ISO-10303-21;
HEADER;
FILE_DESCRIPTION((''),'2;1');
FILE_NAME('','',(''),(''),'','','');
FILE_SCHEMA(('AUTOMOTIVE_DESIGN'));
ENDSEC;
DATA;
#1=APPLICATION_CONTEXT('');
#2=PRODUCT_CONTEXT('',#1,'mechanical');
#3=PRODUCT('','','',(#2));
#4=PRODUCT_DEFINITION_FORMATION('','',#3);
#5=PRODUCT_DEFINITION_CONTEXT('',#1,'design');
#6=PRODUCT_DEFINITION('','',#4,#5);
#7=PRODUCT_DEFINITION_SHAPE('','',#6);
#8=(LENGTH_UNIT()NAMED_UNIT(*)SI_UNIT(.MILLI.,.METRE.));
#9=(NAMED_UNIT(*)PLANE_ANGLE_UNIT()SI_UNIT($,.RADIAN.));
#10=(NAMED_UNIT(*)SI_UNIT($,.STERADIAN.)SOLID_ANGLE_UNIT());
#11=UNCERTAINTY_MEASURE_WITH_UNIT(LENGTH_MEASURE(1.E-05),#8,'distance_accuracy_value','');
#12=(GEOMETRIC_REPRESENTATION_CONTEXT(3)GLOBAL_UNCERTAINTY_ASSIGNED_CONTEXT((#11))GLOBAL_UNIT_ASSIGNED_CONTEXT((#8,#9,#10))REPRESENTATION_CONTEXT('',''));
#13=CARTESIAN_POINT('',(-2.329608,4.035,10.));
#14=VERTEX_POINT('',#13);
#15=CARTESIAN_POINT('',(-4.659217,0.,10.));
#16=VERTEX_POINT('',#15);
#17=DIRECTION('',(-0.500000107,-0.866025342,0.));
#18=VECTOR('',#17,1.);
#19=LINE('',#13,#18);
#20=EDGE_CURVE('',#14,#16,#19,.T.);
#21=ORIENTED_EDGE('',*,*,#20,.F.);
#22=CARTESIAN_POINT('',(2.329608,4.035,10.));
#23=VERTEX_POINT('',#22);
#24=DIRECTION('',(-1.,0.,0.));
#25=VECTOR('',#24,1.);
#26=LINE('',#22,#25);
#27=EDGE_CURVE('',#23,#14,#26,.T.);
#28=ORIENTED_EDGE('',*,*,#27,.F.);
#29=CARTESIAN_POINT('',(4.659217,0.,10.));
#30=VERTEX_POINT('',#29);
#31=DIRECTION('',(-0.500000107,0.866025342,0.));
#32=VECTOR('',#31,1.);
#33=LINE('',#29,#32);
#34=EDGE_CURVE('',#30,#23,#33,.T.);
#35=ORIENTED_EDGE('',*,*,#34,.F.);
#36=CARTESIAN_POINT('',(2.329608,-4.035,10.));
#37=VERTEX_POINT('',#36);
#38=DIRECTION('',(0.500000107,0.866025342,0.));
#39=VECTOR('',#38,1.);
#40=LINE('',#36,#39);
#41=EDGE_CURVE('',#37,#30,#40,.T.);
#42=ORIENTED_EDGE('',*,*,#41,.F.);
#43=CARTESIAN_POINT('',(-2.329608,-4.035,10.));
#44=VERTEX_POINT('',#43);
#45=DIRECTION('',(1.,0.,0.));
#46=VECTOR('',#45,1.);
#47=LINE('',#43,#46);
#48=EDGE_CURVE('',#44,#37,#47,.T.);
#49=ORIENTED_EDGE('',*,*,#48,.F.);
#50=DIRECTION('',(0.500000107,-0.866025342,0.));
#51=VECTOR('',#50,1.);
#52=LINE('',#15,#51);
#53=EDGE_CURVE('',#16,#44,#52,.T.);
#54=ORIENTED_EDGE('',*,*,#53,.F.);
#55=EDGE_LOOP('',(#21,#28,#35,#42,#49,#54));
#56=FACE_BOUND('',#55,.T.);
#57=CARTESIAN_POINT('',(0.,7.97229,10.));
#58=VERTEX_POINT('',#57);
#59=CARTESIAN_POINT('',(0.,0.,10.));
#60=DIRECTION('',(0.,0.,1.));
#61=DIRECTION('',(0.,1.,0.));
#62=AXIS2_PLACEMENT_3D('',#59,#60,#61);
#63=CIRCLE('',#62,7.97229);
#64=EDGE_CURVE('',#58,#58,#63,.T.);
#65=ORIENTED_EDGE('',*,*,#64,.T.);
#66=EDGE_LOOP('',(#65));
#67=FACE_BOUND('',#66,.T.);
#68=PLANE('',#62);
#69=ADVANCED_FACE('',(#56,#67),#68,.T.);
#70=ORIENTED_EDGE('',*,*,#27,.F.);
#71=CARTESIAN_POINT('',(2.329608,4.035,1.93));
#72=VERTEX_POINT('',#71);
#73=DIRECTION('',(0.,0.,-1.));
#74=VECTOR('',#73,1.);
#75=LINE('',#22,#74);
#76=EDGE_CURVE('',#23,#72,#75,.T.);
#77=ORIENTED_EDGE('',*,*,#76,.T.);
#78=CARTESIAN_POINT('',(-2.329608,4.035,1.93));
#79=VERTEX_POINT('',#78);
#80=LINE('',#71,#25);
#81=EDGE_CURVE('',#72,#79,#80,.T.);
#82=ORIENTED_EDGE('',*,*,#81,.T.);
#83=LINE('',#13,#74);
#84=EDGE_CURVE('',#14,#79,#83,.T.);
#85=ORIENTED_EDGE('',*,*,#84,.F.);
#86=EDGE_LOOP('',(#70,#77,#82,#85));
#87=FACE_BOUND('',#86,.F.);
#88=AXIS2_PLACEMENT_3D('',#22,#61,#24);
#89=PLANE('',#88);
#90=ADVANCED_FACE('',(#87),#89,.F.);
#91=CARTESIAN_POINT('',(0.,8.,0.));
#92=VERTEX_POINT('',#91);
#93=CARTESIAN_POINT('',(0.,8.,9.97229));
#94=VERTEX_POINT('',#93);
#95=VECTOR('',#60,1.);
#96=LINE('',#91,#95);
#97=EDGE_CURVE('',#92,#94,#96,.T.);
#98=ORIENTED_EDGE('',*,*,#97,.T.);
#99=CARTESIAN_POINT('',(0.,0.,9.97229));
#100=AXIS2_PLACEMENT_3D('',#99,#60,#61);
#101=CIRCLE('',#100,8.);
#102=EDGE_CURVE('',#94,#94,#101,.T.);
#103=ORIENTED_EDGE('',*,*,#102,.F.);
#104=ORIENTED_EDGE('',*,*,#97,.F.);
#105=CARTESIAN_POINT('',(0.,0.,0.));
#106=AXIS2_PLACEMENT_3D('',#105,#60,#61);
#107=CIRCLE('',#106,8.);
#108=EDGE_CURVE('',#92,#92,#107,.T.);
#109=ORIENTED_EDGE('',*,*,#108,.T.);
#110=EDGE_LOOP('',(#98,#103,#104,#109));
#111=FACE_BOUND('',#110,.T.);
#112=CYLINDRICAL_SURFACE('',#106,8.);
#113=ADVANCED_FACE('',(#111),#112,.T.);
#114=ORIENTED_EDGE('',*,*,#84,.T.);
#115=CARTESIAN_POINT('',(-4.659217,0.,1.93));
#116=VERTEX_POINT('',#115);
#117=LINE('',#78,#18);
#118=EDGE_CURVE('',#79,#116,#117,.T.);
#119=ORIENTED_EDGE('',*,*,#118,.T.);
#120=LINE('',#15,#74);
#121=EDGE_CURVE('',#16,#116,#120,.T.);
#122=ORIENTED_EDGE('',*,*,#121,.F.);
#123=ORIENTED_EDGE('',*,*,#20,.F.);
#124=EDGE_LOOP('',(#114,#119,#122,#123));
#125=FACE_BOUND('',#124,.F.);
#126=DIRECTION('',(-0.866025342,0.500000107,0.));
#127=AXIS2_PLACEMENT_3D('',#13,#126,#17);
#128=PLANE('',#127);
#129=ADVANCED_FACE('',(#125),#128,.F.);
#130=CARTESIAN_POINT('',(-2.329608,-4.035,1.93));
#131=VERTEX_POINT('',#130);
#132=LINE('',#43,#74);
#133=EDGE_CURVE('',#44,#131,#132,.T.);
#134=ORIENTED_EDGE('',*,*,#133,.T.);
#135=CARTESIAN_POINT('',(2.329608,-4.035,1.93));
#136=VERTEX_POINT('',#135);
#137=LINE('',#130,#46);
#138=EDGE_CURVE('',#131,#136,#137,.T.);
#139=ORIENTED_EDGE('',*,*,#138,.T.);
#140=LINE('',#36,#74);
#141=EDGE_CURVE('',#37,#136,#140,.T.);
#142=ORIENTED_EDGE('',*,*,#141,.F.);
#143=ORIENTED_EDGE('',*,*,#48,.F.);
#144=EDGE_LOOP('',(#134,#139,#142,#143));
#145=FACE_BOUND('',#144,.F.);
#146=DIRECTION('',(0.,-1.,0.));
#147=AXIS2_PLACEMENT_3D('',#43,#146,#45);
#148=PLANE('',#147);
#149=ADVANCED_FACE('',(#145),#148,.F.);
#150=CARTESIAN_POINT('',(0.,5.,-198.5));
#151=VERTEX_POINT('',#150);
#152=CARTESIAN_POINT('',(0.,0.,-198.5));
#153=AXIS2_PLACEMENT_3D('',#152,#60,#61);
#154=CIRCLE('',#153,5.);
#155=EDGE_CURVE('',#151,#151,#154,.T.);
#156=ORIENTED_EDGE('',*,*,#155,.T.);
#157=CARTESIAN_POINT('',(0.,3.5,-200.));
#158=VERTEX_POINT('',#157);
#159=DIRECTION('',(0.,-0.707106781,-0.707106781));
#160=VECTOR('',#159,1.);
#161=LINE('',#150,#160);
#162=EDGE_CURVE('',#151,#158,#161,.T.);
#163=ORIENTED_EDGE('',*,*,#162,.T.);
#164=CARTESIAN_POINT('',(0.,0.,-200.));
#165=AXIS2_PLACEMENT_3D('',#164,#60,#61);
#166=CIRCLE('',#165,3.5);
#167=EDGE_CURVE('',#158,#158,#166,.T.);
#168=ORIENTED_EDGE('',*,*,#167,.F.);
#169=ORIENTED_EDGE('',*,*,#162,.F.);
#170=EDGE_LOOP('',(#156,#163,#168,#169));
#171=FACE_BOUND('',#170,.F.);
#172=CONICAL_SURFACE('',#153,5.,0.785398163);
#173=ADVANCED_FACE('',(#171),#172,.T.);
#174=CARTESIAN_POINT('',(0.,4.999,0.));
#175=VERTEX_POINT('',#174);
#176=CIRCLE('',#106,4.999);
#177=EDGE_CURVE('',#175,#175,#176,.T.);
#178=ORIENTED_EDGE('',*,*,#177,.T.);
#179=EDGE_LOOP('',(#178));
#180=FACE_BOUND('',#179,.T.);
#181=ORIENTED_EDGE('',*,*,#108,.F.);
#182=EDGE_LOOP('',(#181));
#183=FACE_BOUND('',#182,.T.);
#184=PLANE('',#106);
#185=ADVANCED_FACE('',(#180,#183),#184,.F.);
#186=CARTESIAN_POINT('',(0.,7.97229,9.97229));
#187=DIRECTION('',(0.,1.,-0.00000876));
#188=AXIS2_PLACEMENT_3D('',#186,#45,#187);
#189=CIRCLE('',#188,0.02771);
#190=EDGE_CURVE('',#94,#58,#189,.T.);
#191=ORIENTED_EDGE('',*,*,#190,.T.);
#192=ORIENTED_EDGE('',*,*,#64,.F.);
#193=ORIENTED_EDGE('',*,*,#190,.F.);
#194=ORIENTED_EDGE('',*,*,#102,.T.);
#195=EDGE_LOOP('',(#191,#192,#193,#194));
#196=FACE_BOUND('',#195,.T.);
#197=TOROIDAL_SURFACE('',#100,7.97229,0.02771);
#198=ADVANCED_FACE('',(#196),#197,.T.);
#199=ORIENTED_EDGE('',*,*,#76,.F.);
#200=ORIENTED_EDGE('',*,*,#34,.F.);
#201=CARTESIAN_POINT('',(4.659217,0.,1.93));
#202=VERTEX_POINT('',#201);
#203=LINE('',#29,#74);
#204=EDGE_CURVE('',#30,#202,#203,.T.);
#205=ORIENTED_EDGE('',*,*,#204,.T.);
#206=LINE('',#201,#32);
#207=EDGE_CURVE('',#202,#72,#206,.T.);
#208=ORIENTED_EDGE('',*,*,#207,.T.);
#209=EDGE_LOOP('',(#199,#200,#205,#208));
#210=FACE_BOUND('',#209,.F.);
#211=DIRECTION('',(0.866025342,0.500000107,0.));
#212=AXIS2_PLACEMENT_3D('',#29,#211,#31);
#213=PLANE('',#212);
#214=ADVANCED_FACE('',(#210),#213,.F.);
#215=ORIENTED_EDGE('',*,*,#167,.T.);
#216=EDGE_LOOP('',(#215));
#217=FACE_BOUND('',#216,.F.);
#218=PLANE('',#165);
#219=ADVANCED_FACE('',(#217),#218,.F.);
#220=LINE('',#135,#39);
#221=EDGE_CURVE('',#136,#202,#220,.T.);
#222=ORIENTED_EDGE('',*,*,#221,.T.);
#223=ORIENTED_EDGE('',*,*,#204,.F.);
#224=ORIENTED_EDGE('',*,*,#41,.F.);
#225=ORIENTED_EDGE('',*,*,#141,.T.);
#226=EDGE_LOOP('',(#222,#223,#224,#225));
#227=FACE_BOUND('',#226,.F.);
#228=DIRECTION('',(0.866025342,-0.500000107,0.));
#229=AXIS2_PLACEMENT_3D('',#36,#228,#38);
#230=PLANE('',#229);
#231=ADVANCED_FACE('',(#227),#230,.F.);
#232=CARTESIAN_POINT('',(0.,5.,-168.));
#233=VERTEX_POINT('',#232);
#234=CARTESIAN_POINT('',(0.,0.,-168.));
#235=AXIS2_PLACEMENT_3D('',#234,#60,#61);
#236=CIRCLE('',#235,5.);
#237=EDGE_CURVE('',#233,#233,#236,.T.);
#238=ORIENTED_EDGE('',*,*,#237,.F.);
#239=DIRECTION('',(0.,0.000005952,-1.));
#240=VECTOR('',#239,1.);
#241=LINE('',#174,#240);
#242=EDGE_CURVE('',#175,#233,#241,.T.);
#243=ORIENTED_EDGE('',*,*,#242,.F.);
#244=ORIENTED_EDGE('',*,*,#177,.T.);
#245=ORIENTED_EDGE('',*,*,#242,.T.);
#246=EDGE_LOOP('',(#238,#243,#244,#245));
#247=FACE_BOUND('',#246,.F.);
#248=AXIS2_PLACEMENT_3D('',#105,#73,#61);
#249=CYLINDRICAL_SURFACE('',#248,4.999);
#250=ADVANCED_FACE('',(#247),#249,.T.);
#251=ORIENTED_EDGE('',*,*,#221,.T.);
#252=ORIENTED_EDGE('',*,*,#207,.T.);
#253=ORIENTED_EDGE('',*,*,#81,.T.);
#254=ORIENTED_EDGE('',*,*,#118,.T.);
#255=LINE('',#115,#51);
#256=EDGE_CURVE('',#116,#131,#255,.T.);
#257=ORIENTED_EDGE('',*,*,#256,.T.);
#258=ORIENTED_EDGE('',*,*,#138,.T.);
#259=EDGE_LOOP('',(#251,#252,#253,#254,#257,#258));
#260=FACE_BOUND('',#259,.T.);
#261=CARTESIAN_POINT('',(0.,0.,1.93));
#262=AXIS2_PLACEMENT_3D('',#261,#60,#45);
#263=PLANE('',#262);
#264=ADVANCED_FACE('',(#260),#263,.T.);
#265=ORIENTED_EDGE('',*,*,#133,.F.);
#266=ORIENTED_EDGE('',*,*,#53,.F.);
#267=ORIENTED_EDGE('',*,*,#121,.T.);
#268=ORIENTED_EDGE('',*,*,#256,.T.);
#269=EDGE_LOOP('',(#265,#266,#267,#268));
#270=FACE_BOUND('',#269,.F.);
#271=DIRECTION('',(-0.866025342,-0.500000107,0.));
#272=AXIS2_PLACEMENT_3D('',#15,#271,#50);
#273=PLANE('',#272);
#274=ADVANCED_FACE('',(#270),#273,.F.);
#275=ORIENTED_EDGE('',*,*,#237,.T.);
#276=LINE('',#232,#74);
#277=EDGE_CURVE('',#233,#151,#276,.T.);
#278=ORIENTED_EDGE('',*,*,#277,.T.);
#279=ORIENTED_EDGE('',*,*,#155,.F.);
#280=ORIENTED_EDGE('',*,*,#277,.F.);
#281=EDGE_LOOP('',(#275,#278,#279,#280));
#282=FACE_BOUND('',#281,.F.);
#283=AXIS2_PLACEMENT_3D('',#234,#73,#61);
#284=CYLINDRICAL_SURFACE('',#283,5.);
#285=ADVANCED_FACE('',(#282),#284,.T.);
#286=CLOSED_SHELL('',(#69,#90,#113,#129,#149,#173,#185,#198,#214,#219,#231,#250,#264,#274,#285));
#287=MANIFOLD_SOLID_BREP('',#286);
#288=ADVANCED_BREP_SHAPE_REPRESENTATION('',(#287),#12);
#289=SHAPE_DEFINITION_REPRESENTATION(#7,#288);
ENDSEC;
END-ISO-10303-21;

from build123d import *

# Parameters (mm, degrees)
POCKET_DEPTH = 8.07


with BuildPart() as part:
    # Sketch → Revolve (revolve)
    with BuildSketch(Plane.YZ):
        with BuildLine():
            Line((4.999, 0), (8, 0))
            Line((8, 0), (8, 9.97229))
            ThreePointArc((8, 9.97229), (7.991884, 9.991884), (7.97229, 10))
            Line((7.97229, 10), (0, 10))
            Line((0, -200), (0, 10))
            Line((3.5, -200), (0, -200))
            Line((5, -198.5), (3.5, -200))
            Line((5, -168), (5, -198.5))
            Line((4.999, 0), (5, -168))
        make_face()
    revolve(axis=Axis((0, 0, 0), (0, 0, 1)))

    # Sketch001 → Pocket (cut)
    with BuildSketch(Plane.XY.offset(10)):
        Polygon((4.659217, 0), (2.329608, 4.035), (-2.329608, 4.035), (-4.659217, 0), (-2.329608, -4.035), (2.329608, -4.035), align=None)
    extrude(amount=-POCKET_DEPTH, mode=Mode.SUBTRACT)


solid = part.part
